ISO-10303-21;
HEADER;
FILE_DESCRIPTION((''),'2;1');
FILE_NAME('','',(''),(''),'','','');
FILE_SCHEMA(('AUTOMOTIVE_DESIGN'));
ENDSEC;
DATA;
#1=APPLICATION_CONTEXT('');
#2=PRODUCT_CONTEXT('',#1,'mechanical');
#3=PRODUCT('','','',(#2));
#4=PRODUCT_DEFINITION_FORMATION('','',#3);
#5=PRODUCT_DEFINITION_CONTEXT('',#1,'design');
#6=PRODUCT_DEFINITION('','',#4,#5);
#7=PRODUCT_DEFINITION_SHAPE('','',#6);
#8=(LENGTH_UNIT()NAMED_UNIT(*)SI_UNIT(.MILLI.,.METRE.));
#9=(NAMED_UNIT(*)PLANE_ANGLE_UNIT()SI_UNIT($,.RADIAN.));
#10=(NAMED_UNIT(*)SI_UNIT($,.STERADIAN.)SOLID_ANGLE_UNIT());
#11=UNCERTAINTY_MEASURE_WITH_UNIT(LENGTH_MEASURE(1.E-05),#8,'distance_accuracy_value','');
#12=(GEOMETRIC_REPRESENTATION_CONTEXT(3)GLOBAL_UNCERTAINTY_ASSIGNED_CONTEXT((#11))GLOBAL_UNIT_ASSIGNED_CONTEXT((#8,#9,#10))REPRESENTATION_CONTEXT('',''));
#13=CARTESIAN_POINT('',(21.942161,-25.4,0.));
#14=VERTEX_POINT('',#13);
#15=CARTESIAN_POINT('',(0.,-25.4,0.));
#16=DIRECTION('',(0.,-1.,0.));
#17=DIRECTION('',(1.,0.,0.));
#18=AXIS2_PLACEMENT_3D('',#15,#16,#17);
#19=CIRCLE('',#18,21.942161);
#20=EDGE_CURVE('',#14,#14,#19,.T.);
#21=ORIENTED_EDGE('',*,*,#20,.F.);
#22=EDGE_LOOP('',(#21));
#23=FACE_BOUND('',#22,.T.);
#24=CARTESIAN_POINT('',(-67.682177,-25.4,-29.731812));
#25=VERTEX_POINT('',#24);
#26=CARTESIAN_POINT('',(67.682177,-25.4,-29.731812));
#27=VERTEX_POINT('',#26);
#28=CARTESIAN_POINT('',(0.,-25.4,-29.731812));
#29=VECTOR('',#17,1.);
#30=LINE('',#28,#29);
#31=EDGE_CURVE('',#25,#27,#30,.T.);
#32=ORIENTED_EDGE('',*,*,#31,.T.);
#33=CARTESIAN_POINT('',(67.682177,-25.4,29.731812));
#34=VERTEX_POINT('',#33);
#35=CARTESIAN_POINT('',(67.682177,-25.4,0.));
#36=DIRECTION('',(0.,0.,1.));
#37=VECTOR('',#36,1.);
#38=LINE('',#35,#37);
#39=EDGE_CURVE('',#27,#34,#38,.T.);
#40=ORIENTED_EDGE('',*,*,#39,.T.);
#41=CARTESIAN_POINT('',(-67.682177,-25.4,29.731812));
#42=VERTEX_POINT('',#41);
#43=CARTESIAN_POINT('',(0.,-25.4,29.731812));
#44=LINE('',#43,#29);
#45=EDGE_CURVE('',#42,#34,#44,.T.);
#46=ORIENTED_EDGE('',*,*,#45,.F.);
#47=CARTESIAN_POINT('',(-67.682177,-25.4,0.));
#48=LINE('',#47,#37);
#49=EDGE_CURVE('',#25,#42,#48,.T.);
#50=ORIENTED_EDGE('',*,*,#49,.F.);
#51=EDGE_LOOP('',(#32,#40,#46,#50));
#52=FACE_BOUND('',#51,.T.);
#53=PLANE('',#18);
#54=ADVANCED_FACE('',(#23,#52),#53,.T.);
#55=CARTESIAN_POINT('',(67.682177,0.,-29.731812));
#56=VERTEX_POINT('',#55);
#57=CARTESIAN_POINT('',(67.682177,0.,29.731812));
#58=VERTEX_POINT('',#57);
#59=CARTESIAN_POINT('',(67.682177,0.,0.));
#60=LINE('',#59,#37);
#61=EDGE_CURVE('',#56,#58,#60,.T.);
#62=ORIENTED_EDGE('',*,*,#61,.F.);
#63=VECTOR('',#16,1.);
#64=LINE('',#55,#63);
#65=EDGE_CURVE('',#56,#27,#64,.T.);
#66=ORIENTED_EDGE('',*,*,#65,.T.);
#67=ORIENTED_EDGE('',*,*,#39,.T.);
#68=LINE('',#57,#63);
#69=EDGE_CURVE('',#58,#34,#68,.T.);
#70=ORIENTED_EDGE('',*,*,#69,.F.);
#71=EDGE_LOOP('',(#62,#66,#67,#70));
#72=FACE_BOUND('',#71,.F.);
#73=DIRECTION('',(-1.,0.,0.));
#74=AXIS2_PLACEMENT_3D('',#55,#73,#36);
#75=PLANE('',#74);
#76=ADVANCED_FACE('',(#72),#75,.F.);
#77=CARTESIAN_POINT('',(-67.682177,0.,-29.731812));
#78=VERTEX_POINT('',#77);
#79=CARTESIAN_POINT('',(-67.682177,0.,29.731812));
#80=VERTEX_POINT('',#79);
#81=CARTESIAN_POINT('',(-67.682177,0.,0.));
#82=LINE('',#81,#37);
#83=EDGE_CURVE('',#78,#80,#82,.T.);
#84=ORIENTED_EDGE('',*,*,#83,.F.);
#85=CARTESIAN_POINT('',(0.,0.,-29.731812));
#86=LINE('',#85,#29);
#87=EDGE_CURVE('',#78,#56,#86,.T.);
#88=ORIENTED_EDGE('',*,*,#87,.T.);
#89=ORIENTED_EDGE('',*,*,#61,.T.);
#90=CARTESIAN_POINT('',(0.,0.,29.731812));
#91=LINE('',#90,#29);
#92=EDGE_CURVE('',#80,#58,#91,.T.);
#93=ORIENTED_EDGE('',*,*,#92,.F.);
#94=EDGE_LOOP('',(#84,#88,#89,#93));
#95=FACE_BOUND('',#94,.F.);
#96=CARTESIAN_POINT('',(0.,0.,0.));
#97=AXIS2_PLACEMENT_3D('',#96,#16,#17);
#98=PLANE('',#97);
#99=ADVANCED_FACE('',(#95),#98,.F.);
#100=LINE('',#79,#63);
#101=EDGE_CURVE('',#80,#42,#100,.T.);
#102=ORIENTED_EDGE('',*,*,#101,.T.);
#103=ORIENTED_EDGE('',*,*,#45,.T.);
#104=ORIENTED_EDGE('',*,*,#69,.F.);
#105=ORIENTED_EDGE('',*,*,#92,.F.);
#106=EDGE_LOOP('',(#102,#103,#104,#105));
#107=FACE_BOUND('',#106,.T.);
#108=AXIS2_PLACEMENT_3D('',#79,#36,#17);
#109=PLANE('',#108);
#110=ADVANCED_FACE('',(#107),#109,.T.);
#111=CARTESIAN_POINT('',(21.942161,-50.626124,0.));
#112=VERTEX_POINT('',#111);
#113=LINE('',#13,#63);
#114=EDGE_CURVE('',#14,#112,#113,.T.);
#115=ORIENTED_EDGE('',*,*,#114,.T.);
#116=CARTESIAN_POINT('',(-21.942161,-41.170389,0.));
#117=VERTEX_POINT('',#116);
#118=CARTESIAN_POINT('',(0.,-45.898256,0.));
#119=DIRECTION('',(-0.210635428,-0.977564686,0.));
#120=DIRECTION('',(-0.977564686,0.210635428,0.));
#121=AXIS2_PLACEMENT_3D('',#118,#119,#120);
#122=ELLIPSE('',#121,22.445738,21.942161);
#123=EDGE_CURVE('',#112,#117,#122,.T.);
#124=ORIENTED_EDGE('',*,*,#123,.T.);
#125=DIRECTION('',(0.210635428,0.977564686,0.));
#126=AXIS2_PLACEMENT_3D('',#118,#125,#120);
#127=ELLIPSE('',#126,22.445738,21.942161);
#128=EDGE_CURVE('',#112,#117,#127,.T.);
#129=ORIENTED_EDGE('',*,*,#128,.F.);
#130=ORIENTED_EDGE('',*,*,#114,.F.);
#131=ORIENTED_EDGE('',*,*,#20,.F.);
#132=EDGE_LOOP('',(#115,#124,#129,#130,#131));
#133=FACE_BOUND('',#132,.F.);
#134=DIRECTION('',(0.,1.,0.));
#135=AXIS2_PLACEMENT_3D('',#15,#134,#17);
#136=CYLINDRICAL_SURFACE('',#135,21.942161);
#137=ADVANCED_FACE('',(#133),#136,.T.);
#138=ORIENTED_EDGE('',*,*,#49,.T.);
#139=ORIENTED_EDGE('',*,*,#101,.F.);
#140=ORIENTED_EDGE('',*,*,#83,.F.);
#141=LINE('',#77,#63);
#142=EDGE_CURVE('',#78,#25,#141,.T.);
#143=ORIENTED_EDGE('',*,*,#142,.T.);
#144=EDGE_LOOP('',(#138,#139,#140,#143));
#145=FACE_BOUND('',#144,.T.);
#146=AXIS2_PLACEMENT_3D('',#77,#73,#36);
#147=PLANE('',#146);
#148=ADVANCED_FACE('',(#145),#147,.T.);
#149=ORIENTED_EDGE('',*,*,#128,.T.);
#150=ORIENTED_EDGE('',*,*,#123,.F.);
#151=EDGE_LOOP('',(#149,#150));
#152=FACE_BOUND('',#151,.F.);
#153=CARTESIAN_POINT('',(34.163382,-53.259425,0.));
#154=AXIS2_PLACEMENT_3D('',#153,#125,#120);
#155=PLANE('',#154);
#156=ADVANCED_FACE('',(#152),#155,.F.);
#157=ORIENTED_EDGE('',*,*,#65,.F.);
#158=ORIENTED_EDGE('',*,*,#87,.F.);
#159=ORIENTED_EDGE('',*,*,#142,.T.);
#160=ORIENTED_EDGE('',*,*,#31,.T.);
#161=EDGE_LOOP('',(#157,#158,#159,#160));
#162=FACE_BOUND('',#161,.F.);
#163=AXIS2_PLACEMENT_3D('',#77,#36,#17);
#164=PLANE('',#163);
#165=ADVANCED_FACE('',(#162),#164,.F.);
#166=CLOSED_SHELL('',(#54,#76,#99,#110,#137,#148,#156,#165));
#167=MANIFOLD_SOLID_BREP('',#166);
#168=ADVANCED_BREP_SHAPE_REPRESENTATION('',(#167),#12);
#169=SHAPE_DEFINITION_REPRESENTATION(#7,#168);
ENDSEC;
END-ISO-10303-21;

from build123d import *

# Parameters (mm, degrees)
F0_W          = 135.364354
F0_H          = 59.463624
F1_DEPTH      = 25.4
F2_R          = 21.942161
F3_DEPTH      = 25.4
F5_DEPTH      = 25.4
F5_DEPTH_BACK = 25.4


with BuildPart() as f1:
    # F0 (on Front) → F1 (new body)
    with BuildSketch(Plane.XZ):
        Rectangle(F0_W, F0_H)
    extrude(amount=F1_DEPTH)

    # F2 (on face) → F3 (join)
    with BuildSketch(Plane.XZ.offset(25.4)):
        Circle(F2_R)
    extrude(amount=F3_DEPTH)

    # F4 (on Top) → F5 (cut, two sides)
    with BuildSketch(Plane.XY) as f5_sk:
        Polygon((34.163382, -53.259425), (-24.172205, -40.689882), (-24.172205, -53.259425), align=None)
    extrude(amount=F5_DEPTH, mode=Mode.SUBTRACT)
    extrude(f5_sk.sketch, amount=-F5_DEPTH_BACK, mode=Mode.SUBTRACT)


solid = f1.part
